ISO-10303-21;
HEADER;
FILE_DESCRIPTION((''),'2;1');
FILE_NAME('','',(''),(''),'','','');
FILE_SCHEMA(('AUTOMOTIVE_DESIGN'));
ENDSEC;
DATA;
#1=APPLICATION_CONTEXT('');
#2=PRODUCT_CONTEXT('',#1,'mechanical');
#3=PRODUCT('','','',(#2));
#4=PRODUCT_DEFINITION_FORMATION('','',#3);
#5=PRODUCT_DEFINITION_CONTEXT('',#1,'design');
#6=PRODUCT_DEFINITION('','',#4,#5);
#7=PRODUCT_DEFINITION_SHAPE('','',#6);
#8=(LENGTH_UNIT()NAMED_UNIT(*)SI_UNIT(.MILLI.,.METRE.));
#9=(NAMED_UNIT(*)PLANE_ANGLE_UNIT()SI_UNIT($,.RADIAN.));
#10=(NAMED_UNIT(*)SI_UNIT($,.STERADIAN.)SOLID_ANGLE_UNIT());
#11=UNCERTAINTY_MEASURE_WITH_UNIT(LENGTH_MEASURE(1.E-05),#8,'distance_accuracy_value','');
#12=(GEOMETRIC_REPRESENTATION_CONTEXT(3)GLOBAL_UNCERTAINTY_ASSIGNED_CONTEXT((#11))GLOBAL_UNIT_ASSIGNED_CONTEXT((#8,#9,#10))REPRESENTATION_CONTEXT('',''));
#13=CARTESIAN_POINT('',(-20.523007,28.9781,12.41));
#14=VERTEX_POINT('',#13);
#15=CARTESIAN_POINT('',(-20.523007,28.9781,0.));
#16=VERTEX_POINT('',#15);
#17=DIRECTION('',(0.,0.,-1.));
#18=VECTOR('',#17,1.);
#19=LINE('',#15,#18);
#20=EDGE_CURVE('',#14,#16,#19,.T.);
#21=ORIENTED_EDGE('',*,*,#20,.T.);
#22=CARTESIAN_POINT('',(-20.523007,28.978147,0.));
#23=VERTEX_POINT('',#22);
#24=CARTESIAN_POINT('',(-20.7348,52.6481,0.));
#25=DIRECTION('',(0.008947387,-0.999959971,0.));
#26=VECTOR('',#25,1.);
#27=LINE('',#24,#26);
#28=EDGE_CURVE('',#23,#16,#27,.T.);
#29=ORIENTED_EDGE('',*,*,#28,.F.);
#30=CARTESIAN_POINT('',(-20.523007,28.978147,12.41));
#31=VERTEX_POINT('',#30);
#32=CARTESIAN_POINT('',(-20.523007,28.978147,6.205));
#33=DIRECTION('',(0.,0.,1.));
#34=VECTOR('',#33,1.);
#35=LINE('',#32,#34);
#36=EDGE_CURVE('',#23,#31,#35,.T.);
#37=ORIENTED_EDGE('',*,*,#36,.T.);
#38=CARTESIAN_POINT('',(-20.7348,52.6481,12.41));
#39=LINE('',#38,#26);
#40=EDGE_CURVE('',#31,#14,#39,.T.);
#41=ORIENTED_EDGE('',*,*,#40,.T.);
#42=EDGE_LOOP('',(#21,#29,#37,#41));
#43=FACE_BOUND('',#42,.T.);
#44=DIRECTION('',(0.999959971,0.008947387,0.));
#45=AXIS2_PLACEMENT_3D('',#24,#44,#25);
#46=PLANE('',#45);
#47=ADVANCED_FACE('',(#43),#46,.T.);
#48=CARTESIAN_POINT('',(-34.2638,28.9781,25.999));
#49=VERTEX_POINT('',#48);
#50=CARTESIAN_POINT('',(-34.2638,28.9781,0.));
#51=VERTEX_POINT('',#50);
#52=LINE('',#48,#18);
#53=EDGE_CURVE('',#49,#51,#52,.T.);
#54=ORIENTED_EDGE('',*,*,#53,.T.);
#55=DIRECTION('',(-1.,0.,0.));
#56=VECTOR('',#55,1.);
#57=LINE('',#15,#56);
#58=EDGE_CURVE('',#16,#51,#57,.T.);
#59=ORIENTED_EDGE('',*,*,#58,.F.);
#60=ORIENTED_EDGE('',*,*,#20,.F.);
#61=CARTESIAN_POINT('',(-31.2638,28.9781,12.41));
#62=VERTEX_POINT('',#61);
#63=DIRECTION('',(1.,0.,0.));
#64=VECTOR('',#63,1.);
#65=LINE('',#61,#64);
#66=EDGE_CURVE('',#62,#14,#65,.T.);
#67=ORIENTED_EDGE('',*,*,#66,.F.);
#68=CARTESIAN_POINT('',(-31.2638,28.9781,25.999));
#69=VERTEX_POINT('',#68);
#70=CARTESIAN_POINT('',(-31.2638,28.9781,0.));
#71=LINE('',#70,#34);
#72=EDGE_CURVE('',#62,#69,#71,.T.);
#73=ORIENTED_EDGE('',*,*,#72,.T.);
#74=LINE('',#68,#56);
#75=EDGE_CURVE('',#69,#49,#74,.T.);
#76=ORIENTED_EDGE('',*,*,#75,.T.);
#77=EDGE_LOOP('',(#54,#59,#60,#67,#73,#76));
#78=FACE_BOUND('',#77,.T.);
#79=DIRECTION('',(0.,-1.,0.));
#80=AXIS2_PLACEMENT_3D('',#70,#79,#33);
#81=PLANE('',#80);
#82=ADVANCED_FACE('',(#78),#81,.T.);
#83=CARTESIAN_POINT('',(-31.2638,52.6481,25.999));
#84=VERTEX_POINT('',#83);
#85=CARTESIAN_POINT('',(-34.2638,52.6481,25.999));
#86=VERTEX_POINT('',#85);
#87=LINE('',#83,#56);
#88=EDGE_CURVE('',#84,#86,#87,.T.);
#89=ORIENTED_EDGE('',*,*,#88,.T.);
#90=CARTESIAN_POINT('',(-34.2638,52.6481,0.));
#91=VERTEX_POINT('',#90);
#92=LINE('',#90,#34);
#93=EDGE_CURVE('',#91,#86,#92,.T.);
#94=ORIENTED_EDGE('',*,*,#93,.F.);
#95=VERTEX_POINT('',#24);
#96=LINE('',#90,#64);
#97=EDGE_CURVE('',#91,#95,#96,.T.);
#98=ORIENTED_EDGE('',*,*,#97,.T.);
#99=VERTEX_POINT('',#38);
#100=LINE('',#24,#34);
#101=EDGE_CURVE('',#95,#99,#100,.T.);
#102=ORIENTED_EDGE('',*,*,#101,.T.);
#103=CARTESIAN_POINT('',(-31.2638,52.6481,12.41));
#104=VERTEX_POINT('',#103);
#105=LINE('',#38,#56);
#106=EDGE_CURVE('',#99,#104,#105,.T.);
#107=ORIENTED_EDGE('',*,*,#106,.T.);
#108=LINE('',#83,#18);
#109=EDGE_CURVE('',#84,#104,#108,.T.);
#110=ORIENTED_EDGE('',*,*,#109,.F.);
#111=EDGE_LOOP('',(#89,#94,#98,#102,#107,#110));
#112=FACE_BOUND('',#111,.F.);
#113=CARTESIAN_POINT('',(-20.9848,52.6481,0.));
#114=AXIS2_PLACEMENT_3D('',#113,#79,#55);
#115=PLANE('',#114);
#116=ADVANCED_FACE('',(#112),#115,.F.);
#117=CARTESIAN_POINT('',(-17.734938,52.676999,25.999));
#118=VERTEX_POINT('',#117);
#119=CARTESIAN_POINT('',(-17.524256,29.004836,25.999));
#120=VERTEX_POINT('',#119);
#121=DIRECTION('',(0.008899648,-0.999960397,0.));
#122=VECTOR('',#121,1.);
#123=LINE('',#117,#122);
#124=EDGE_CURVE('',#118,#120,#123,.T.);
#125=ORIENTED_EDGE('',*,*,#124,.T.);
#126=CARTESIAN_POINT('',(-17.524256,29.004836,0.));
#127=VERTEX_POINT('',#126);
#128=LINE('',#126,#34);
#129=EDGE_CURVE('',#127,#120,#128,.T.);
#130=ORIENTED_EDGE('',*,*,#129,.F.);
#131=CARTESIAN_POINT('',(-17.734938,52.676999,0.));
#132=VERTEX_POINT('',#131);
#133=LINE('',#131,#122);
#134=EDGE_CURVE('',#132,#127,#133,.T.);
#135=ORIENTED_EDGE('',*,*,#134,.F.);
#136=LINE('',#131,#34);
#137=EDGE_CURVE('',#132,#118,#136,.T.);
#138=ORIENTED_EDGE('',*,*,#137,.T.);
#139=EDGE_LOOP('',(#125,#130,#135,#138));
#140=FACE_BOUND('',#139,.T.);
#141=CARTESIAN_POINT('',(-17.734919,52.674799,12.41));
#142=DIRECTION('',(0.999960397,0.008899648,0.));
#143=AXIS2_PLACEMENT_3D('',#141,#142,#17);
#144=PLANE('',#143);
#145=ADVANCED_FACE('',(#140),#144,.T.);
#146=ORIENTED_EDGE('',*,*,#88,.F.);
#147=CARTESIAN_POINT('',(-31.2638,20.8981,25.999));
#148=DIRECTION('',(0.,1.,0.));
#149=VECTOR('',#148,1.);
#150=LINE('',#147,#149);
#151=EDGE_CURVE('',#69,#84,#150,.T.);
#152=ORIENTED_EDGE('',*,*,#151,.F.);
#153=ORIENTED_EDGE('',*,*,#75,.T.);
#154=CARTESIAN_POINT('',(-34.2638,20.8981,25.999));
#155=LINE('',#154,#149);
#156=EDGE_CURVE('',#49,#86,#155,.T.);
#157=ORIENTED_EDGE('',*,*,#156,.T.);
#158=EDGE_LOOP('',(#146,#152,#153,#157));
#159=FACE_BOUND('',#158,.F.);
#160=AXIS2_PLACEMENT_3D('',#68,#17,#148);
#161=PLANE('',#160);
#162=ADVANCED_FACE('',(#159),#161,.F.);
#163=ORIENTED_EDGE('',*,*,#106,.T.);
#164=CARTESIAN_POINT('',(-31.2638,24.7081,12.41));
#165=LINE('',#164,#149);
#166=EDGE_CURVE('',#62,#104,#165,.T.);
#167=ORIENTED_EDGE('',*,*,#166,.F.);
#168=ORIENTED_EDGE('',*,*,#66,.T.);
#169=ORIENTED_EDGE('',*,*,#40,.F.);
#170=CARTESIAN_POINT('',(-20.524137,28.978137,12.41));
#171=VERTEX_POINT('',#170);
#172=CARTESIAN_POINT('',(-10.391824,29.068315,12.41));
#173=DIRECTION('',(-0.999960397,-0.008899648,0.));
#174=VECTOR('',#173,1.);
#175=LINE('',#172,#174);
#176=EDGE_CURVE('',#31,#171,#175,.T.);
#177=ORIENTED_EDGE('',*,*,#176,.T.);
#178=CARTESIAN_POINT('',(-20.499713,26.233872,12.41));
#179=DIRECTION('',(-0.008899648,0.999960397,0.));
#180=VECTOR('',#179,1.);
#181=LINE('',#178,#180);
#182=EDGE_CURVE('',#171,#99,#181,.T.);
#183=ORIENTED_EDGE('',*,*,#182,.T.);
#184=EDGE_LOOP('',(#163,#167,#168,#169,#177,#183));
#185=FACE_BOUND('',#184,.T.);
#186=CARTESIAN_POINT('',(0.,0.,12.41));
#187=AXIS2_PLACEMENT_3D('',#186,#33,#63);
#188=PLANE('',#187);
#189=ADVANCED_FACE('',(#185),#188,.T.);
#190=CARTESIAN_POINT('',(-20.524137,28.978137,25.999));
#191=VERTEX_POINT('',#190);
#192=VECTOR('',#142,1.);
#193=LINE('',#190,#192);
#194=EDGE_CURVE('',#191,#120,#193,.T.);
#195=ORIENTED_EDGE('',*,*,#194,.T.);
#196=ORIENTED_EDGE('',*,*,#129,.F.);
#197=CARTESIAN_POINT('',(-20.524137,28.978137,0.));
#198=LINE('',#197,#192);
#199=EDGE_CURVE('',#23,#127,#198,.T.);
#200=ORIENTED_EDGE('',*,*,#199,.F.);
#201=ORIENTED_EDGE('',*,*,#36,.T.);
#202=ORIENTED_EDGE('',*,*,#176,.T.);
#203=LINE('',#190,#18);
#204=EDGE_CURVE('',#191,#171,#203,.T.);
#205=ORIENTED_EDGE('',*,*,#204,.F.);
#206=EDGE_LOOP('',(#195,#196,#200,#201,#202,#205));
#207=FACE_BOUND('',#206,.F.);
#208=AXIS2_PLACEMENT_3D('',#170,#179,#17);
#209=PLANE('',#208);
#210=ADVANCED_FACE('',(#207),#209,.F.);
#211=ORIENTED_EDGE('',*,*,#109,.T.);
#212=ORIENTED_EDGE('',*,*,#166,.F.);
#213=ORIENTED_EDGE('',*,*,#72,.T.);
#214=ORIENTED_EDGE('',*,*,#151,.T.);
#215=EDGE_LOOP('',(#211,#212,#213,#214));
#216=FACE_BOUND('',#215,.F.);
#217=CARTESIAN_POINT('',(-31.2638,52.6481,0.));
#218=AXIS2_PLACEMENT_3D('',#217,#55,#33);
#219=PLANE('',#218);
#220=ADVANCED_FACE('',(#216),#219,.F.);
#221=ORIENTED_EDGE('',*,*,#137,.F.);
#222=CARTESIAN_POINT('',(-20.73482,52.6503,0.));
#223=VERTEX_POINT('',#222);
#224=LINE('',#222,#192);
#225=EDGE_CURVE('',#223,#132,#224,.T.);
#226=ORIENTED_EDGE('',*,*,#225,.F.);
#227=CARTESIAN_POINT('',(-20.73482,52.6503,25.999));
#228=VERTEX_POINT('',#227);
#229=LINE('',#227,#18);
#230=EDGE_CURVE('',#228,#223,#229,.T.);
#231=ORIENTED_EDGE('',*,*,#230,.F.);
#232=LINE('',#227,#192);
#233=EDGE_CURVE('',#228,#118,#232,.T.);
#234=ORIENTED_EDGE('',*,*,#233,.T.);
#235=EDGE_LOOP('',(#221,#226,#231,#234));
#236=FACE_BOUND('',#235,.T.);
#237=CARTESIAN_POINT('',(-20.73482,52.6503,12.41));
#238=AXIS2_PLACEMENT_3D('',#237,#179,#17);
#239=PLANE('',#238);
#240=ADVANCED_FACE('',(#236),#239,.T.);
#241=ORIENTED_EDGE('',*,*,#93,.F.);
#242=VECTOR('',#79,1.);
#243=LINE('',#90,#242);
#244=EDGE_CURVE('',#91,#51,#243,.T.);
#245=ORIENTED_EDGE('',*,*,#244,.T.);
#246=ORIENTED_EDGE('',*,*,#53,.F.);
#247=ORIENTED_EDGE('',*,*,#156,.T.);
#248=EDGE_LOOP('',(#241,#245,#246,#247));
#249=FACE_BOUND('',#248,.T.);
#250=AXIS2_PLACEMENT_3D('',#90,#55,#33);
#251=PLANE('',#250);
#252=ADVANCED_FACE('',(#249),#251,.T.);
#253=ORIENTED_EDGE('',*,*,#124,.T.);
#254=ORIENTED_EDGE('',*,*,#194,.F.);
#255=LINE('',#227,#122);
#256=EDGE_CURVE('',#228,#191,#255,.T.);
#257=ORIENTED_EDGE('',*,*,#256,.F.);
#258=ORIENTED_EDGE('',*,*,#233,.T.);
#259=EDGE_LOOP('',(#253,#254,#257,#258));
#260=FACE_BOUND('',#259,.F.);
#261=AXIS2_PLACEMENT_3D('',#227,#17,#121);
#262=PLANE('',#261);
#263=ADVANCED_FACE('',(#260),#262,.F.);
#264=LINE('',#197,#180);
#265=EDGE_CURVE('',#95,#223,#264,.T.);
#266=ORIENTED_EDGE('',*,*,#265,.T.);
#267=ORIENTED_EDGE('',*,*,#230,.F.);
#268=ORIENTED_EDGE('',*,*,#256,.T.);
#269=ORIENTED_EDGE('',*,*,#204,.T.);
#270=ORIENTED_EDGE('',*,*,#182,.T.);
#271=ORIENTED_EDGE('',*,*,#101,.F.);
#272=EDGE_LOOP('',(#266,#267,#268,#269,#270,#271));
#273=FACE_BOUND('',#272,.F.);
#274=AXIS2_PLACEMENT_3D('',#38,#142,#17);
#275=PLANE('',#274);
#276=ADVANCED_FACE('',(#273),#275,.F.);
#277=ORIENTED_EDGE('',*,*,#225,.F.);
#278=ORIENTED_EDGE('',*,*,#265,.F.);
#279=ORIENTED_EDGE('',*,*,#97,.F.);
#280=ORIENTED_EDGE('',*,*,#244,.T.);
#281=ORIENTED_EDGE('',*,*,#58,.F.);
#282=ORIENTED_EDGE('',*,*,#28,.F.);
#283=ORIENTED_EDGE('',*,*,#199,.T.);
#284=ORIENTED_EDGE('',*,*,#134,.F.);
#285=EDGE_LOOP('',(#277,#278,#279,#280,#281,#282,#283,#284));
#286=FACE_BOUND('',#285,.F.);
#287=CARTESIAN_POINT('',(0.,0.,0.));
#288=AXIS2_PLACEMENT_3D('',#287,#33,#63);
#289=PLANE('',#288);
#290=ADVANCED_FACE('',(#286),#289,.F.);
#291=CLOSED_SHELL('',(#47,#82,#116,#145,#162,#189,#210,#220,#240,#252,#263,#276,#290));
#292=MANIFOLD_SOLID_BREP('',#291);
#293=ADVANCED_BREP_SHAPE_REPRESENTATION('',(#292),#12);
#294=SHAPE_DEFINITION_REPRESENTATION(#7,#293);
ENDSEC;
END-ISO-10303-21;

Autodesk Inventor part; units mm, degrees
ref_plane "YZ Plane" through (0, 0, 0) normal (1, 0, 0) x (0, 1, 0)
ref_plane "XZ Plane" through (0, 0, 0) normal (0, 1, 0) x (-1, 0, 0)
ref_plane "XY Plane" through (0, 0, 0) normal (0, 0, 1) x (1, 0, 0)
sketch "Sketch1" plane through (0, 0, 0) normal (0, 0, 1) x (1, 0, 0)
  line L0 (-20.9848, 52.6481) -> (-30.7638, 52.6481) projected
  line L1 (-30.7638, 20.8981) -> (-30.7638, 52.6481) projected
  line L2 (-20.9848, 20.8981) -> (-30.7638, 20.8981) projected
  line L3 (-20.9848, 52.6481) -> (-20.9848, 20.8981) projected
  line L4 (-22.6993, 26.2773) -> (-22.6993, 24.127) projected
  line L5 (-22.6993, 24.127) -> (-29.0493, 24.127) projected
  line L6 (-29.0493, 24.127) -> (-29.0493, 26.2773) projected
  line L7 (-29.0493, 26.2773) -> (-22.6993, 26.2773) projected
  line L8 (-22.6993, 32.7351) -> (-22.6993, 30.5848) projected
  line L9 (-22.6993, 30.5848) -> (-29.0493, 30.5848) projected
  line L10 (-29.0493, 30.5848) -> (-29.0493, 32.7351) projected
  line L11 (-29.0493, 32.7351) -> (-22.6993, 32.7351) projected
  line L12 (-22.6993, 39.1928) -> (-22.6993, 37.0425) projected
  line L13 (-22.6993, 37.0425) -> (-29.0493, 37.0425) projected
  line L14 (-29.0493, 37.0425) -> (-29.0493, 39.1928) projected
  line L15 (-29.0493, 39.1928) -> (-22.6993, 39.1928) projected
  line L16 (-22.6993, 45.6505) -> (-22.6993, 43.5002) projected
  line L17 (-22.6993, 43.5002) -> (-29.0493, 43.5002) projected
  line L18 (-29.0493, 43.5002) -> (-29.0493, 45.6505) projected
  line L19 (-29.0493, 45.6505) -> (-22.6993, 45.6505) projected
  line L20 (-22.6993, 52.1083) -> (-22.6993, 49.958) projected
  line L21 (-22.6993, 49.958) -> (-29.0493, 49.958) projected
  line L22 (-29.0493, 49.958) -> (-29.0493, 52.1083) projected
  line L23 (-29.0493, 52.1083) -> (-22.6993, 52.1083) projected
  line L24 (-22.6993, 48.8794) -> (-22.6993, 46.7291) projected
  line L25 (-22.6993, 46.7291) -> (-29.0493, 46.7291) projected
  line L26 (-29.0493, 46.7291) -> (-29.0493, 48.8794) projected
  line L27 (-29.0493, 48.8794) -> (-22.6993, 48.8794) projected
  line L28 (-22.6993, 42.4217) -> (-22.6993, 40.2714) projected
  line L29 (-22.6993, 40.2714) -> (-29.0493, 40.2714) projected
  line L30 (-29.0493, 40.2714) -> (-29.0493, 42.4217) projected
  line L31 (-29.0493, 42.4217) -> (-22.6993, 42.4217) projected
  line L32 (-22.6993, 35.9639) -> (-22.6993, 33.8136) projected
  line L33 (-22.6993, 33.8136) -> (-29.0493, 33.8136) projected
  line L34 (-29.0493, 33.8136) -> (-29.0493, 35.9639) projected
  line L35 (-29.0493, 35.9639) -> (-22.6993, 35.9639) projected
  line L36 (-22.6993, 29.5062) -> (-22.6993, 27.3559) projected
  line L37 (-22.6993, 27.3559) -> (-29.0493, 27.3559) projected
  line L38 (-29.0493, 27.3559) -> (-29.0493, 29.5062) projected
  line L39 (-29.0493, 29.5062) -> (-22.6993, 29.5062) projected
  line L40 (-22.6993, 23.0485) -> (-22.6993, 20.8982) projected
  line L41 (-22.6993, 20.8982) -> (-29.0493, 20.8982) projected
  line L42 (-29.0493, 20.8982) -> (-29.0493, 23.0485) projected
  line L43 (-29.0493, 23.0485) -> (-22.6993, 23.0485) projected
  line L44 (-20.9848, 20.8981) -> (-20.4848, 20.8981)
  line L45 (-20.4848, 20.8981) -> (-30.7638, 20.8981)
  line L46 (-30.7638, 20.8981) -> (-31.2638, 20.8981)
  line L47 (-30.7638, 20.8981) -> (-30.7638, 24.7081) projected
  line L48 (-30.8638, 52.6481) -> (-20.7348, 52.6481)
  line L49 (-20.7348, 52.6481) -> (-20.4848, 24.7081)
  line L50 (-20.4848, 24.7081) -> (-30.8638, 24.7081)
  line L51 (-30.8638, 24.7081) -> (-31.2638, 24.7081)
  line L52 (-31.2638, 24.7081) -> (-31.2638, 52.6481)
  line L53 (-31.2638, 52.6481) -> (-20.7348, 52.6481)
  point P0 (0, 0)
  dimension "d0" = 0.5
  dimension "d1" = 0.5
extrude "Extrusion1" add sketch "Sketch1" along normal blind 12.41 contours L3 L50 L4 L7 L6 L1 L0 | L48 L49 L50 L3 | L1 L50 L51 L52 L53 L48 | L50 L6 L7 L4 | L8 L9 L10 L11 | L12 L13 L14 L15 | L16 L17 L18 L19 | L20 L21 L22 L23 | L24 L25 L26 L27 | L28 L29 L30 L31 | L32 L33 L34 L35 | L36 L37 L38 L39
sketch "Sketch2" plane through (-31.2638, 24.7081, 0) normal (-1, 0, 0) x (0, 0, 1)
  line L0 (12.41, 1.27) -> (22.57, 1.27) projected
  line L1 (12.41, 1.27) -> (0, 1.27)
  line L2 (0, 1.27) -> (0, 4.27)
  line L3 (0, 4.27) -> (12.41, 4.27)
  line L4 (12.41, 4.27) -> (12.41, 1.27)
  line L5 (0, 0) -> (12.41, 0) projected
  line L6 (12.41, 0) -> (0, 0)
  line L7 (0, 0) -> (0, 1.27)
  line L8 (0, 1.27) -> (12.41, 1.27)
  line L9 (12.41, 1.27) -> (12.41, 0)
  point P0 (0, -24.7081)
  dimension "d4" = 3
extrude "Extrusion2" cut sketch "Sketch2" against normal blind 12.41
sketch "Sketch3" plane through (-31.2638, 52.6481, 0) normal (-1, 0, 0) x (0, 0, 1)
  line L0 (25.999, 0) -> (12.41, 0) projected
  line L1 (12.41, -26.67) -> (12.41, 0) projected
  line L2 (12.41, -26.67) -> (22.57, -26.67) projected
  line L3 (22.57, -26.67) -> (22.57, -27.94) projected
  line L4 (22.57, -27.94) -> (12.41, -27.94) projected
  line L5 (12.41, -31.75) -> (12.41, -27.94) projected
  line L6 (25.999, -31.75) -> (12.41, -31.75) projected
  line L7 (25.999, -31.75) -> (25.999, 0) projected
  line L8 (0, -23.67) -> (12.41, -23.67) projected
  line L9 (12.41, 0) -> (12.41, -23.67) projected
  line L10 (0, 0) -> (12.41, 0) projected
  line L11 (0, 0) -> (0, -23.67) projected
  line L12 (0, 0) -> (25.999, 0)
  line L13 (25.999, 0) -> (25.999, -23.67)
  line L14 (25.999, -23.67) -> (0, -23.67)
  line L15 (0, -23.67) -> (0, 0)
  point P0 (0, -52.6481)
extrude "Extrusion3" add sketch "Sketch3" along normal blind 3 contours L7 L14 L1 L0 | L1 L8 L11 L10
sketch "Sketch4" plane through (-20.7348, 52.6481, 12.41) normal (1, 0.0089, 0) x (0, 0, -1)
  line L0 (0, -23.6709) -> (12.41, -23.6709) projected
  line L1 (12.41, -23.6709) -> (12.41, 0) projected
  line L2 (12.41, 0) -> (0, 0) projected
  line L3 (0, -23.6709) -> (0, 0) projected
  line L4 (0, 0.0022) -> (-13.589, 0.0022) projected
  line L5 (-13.589, 0.0022) -> (-13.589, -31.7465) projected
  line L6 (-13.589, -31.7465) -> (0, -31.7465) projected
  line L7 (0, -27.9366) -> (0, -31.7465) projected
  line L8 (0, -27.9366) -> (-10.16, -27.9366) projected
  line L9 (-10.16, -27.9366) -> (-10.16, -26.6667) projected
  line L10 (-10.16, -26.6667) -> (0, -26.6667) projected
  line L11 (0, 0.0022) -> (0, -26.6667) projected
  line L12 (0, -23.6709) -> (12.41, -23.6709) projected
  line L13 (-13.589, 0.0022) -> (12.41, 0.0022)
  line L14 (12.41, 0.0022) -> (12.41, -23.6709)
  line L15 (12.41, -23.6709) -> (-13.589, -23.6709)
  line L16 (-13.589, -23.6709) -> (-13.589, 0.0022)
  point P0 (12.41, -52.8315)
extrude "Extrusion4" add sketch "Sketch4" along normal blind 3 contours L3 L2 L1 L0 | L15 L5 L4 L11 L3 | L11 L13 L14 L2
properties part number "Guide"
